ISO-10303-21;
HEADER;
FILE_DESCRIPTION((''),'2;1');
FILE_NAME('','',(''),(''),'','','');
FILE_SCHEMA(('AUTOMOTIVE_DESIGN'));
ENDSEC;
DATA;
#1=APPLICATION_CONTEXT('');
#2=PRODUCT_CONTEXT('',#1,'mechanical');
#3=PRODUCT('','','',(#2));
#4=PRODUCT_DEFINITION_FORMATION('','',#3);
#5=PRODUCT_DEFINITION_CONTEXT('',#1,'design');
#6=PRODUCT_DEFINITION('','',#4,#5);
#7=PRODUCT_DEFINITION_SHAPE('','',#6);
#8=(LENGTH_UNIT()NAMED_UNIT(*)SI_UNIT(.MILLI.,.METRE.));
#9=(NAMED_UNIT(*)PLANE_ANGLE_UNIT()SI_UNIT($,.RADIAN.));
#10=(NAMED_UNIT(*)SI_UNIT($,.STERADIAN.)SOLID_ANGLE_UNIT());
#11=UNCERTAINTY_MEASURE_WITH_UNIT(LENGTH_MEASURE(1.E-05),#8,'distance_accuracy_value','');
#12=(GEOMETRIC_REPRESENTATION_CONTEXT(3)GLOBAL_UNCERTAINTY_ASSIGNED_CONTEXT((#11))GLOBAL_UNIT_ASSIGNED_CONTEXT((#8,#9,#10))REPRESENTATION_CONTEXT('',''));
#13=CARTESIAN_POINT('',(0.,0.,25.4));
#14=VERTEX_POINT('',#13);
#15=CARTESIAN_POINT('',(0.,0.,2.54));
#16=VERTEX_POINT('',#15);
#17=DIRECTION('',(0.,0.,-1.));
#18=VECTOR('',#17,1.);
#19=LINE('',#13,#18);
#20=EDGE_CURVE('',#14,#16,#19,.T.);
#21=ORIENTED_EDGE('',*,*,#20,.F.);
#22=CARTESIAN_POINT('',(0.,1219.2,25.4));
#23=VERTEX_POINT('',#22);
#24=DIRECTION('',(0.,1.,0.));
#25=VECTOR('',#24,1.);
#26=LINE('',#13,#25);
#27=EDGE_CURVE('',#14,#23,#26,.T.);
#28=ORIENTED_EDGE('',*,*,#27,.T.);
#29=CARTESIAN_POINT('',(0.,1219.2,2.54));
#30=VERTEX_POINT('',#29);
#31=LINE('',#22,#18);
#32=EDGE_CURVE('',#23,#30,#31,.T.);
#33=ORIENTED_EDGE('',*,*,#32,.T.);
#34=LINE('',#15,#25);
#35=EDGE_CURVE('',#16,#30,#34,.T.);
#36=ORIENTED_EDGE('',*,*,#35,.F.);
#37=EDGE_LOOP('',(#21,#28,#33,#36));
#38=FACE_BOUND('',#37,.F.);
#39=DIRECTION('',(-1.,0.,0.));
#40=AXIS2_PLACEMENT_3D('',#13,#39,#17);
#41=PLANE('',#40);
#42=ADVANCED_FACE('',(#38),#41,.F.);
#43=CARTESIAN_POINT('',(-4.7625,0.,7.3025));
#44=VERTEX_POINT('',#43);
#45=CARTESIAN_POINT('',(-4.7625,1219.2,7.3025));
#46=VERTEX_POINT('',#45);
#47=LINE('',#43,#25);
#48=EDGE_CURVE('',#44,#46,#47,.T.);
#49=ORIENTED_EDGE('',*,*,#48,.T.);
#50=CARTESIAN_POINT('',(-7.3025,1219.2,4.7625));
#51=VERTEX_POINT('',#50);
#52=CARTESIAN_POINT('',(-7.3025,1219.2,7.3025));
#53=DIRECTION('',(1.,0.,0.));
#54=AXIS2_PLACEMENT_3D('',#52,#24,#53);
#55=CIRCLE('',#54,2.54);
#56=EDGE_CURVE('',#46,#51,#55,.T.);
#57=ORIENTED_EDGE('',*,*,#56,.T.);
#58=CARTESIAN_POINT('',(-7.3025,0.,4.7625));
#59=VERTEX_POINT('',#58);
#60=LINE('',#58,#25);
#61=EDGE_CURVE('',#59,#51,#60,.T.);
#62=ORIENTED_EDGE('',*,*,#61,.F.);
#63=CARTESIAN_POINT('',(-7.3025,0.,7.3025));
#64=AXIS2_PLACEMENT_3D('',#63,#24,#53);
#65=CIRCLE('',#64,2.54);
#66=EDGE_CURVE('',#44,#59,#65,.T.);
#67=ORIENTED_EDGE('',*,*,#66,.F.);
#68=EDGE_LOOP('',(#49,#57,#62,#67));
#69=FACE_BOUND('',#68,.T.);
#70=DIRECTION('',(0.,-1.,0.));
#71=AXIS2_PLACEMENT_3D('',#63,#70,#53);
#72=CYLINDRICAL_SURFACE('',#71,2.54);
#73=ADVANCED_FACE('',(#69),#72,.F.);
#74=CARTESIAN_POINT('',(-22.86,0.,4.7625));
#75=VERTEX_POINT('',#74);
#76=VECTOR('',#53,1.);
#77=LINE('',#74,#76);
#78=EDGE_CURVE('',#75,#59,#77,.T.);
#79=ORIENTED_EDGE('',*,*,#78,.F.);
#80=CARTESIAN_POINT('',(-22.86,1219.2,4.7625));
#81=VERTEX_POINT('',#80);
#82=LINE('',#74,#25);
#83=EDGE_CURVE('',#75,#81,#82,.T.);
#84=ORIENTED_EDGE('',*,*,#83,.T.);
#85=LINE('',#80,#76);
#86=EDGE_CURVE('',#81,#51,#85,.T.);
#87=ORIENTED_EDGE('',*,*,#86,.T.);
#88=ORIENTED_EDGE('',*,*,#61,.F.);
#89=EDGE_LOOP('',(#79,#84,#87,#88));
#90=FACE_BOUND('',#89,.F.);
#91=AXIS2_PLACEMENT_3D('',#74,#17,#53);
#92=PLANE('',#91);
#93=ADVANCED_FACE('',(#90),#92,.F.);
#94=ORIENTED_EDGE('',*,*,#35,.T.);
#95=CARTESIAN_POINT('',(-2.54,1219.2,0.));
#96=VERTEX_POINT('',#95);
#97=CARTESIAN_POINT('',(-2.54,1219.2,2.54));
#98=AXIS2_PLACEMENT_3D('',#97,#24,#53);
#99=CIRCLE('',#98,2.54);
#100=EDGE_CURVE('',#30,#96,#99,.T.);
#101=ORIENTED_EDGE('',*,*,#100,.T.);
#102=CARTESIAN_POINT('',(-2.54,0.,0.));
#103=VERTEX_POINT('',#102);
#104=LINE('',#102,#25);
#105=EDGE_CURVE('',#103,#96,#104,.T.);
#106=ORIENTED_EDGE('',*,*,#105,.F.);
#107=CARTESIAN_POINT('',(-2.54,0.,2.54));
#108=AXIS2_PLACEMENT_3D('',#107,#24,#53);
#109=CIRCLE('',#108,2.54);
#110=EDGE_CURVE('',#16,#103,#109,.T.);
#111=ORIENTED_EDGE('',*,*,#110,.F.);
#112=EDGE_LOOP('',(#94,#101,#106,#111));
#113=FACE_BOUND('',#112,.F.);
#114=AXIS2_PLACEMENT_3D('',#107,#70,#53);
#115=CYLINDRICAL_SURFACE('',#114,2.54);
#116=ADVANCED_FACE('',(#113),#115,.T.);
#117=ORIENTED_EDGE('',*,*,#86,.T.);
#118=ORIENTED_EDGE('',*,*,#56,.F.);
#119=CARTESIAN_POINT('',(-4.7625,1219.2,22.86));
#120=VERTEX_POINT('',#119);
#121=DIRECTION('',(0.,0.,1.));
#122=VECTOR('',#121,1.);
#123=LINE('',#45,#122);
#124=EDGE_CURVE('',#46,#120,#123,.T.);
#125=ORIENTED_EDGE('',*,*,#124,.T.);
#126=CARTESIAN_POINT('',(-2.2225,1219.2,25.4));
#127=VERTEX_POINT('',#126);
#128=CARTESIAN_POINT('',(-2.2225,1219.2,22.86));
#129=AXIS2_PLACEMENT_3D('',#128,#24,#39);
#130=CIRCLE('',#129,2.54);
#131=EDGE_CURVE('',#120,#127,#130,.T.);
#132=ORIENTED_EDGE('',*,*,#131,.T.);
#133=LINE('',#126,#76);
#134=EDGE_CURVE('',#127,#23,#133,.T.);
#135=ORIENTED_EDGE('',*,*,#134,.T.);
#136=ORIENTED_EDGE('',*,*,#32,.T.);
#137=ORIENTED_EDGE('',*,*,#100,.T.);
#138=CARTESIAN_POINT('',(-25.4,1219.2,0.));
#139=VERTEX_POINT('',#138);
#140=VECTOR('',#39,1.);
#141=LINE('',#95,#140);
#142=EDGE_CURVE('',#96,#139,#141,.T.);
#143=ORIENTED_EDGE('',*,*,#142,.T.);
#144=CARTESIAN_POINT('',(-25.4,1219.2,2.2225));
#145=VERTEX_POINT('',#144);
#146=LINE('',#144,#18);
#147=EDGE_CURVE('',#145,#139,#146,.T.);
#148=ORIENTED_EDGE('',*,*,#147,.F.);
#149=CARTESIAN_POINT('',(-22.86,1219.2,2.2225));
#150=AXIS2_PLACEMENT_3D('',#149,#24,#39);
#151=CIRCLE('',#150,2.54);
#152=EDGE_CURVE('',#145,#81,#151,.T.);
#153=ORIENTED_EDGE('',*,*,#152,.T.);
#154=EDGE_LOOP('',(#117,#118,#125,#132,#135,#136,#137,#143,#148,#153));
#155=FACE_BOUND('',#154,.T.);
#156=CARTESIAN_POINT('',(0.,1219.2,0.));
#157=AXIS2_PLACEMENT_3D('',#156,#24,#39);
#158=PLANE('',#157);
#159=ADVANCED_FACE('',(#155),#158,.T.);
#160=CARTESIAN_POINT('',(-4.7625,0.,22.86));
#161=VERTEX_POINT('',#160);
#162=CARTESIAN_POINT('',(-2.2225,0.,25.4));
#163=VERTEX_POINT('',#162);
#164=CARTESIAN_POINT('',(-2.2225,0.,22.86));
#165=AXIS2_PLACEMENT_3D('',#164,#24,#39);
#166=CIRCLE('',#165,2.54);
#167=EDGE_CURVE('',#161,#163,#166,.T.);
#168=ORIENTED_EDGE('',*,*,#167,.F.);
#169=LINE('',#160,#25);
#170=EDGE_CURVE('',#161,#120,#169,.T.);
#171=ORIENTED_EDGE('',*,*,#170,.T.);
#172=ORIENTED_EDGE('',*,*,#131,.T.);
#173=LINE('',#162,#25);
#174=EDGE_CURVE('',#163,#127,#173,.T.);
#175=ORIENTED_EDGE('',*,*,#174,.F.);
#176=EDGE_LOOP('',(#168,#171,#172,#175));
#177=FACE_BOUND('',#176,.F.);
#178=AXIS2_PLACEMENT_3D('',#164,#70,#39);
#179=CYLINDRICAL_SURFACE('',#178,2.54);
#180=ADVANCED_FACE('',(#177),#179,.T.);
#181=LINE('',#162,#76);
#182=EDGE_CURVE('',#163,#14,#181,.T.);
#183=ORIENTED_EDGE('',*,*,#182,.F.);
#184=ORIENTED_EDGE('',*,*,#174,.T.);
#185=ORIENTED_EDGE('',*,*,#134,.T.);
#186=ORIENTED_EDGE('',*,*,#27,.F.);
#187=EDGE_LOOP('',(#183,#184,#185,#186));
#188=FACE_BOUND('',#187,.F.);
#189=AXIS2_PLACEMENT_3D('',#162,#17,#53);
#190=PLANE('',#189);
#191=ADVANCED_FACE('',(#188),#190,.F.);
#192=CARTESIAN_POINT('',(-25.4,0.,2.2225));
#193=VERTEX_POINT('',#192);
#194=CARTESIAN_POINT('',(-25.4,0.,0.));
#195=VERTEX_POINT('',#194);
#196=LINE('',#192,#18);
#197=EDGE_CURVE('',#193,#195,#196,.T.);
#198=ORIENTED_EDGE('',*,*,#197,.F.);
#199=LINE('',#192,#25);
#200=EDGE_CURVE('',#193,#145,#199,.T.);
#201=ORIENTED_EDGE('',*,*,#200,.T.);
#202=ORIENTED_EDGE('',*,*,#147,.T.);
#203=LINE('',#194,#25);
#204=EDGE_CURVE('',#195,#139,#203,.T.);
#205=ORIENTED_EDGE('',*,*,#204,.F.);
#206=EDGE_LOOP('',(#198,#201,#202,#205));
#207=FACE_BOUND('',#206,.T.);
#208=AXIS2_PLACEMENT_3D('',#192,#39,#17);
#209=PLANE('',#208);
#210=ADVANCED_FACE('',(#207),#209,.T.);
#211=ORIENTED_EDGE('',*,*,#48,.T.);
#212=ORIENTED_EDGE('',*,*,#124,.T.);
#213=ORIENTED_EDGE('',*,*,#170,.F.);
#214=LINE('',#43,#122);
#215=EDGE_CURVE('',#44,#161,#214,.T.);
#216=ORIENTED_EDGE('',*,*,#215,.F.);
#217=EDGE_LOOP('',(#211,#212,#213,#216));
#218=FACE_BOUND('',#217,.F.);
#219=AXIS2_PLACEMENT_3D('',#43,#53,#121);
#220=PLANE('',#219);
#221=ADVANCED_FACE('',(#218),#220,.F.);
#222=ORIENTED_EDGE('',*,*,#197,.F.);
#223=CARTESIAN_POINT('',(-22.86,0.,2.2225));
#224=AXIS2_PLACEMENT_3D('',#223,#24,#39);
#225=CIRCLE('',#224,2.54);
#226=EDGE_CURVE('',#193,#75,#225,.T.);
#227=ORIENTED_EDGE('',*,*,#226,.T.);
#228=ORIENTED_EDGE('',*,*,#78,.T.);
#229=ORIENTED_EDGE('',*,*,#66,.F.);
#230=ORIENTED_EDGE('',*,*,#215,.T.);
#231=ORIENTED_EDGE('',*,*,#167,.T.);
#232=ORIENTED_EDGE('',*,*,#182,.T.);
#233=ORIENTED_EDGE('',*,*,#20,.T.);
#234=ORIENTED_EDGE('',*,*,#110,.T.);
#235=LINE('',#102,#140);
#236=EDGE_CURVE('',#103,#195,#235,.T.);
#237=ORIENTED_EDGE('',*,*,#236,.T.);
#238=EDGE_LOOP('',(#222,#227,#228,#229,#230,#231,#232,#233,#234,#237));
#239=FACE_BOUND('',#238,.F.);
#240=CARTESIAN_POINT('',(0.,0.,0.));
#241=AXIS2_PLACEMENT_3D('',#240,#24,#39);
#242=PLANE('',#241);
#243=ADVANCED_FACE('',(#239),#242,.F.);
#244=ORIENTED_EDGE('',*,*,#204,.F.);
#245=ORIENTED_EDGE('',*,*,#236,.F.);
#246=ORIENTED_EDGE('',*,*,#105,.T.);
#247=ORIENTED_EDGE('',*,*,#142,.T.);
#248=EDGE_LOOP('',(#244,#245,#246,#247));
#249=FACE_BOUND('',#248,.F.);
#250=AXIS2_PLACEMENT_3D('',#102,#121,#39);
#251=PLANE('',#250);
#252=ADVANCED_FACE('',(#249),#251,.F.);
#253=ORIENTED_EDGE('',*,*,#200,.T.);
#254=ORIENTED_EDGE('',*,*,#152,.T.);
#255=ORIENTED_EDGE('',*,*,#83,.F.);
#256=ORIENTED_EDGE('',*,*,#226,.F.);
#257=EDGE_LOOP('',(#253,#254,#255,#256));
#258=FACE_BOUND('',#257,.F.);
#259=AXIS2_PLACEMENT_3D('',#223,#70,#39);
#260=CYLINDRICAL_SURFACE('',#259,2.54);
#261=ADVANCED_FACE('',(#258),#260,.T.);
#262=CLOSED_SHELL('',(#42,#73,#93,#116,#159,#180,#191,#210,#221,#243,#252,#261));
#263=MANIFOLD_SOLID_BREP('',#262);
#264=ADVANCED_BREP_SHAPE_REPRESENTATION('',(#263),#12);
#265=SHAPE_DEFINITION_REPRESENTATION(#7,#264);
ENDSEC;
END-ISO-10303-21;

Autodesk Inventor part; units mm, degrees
ref_plane "YZ Plane" through (0, 0, 0) normal (1, 0, 0) x (0, 1, 0)
ref_plane "XZ Plane" through (0, 0, 0) normal (0, 1, 0) x (-1, 0, 0)
ref_plane "XY Plane" through (0, 0, 0) normal (0, 0, 1) x (1, 0, 0)
sketch "Sketch1" plane through (0, 0, 0) normal (0, 1, 0) x (-1, 0, 0)
  line L0 (2.54, 0) -> (25.4, 0)
  line L1 (0, 25.4) -> (0, 2.54)
  line L2 (22.86, 4.7625) -> (7.3025, 4.7625)
  line L3 (4.7625, 7.3025) -> (4.7625, 22.86)
  line L4 (2.2225, 25.4) -> (0, 25.4)
  line L5 (25.4, 2.2225) -> (25.4, 0)
  arc A0 (4.7625, 7.3025) -> (7.3025, 4.7625) centre (7.3025, 7.3025) ccw
  arc A1 (4.7625, 22.86) -> (2.2225, 25.4) centre (2.2225, 22.86) ccw
  arc A2 (0, 2.54) -> (2.54, 0) centre (2.54, 2.54) ccw
  arc A3 (25.4, 2.2225) -> (22.86, 4.7625) centre (22.86, 2.2225) ccw
  point P0 (0, 0)
  dimension "d2" = 4.7625
  dimension "d3" = 25.4
  dimension "d4" = 25.4
  dimension "d5" = 2.54
extrude "Front Leg" add sketch "Sketch1" along normal blind 1219.2
properties part number "legs-fr_t"
